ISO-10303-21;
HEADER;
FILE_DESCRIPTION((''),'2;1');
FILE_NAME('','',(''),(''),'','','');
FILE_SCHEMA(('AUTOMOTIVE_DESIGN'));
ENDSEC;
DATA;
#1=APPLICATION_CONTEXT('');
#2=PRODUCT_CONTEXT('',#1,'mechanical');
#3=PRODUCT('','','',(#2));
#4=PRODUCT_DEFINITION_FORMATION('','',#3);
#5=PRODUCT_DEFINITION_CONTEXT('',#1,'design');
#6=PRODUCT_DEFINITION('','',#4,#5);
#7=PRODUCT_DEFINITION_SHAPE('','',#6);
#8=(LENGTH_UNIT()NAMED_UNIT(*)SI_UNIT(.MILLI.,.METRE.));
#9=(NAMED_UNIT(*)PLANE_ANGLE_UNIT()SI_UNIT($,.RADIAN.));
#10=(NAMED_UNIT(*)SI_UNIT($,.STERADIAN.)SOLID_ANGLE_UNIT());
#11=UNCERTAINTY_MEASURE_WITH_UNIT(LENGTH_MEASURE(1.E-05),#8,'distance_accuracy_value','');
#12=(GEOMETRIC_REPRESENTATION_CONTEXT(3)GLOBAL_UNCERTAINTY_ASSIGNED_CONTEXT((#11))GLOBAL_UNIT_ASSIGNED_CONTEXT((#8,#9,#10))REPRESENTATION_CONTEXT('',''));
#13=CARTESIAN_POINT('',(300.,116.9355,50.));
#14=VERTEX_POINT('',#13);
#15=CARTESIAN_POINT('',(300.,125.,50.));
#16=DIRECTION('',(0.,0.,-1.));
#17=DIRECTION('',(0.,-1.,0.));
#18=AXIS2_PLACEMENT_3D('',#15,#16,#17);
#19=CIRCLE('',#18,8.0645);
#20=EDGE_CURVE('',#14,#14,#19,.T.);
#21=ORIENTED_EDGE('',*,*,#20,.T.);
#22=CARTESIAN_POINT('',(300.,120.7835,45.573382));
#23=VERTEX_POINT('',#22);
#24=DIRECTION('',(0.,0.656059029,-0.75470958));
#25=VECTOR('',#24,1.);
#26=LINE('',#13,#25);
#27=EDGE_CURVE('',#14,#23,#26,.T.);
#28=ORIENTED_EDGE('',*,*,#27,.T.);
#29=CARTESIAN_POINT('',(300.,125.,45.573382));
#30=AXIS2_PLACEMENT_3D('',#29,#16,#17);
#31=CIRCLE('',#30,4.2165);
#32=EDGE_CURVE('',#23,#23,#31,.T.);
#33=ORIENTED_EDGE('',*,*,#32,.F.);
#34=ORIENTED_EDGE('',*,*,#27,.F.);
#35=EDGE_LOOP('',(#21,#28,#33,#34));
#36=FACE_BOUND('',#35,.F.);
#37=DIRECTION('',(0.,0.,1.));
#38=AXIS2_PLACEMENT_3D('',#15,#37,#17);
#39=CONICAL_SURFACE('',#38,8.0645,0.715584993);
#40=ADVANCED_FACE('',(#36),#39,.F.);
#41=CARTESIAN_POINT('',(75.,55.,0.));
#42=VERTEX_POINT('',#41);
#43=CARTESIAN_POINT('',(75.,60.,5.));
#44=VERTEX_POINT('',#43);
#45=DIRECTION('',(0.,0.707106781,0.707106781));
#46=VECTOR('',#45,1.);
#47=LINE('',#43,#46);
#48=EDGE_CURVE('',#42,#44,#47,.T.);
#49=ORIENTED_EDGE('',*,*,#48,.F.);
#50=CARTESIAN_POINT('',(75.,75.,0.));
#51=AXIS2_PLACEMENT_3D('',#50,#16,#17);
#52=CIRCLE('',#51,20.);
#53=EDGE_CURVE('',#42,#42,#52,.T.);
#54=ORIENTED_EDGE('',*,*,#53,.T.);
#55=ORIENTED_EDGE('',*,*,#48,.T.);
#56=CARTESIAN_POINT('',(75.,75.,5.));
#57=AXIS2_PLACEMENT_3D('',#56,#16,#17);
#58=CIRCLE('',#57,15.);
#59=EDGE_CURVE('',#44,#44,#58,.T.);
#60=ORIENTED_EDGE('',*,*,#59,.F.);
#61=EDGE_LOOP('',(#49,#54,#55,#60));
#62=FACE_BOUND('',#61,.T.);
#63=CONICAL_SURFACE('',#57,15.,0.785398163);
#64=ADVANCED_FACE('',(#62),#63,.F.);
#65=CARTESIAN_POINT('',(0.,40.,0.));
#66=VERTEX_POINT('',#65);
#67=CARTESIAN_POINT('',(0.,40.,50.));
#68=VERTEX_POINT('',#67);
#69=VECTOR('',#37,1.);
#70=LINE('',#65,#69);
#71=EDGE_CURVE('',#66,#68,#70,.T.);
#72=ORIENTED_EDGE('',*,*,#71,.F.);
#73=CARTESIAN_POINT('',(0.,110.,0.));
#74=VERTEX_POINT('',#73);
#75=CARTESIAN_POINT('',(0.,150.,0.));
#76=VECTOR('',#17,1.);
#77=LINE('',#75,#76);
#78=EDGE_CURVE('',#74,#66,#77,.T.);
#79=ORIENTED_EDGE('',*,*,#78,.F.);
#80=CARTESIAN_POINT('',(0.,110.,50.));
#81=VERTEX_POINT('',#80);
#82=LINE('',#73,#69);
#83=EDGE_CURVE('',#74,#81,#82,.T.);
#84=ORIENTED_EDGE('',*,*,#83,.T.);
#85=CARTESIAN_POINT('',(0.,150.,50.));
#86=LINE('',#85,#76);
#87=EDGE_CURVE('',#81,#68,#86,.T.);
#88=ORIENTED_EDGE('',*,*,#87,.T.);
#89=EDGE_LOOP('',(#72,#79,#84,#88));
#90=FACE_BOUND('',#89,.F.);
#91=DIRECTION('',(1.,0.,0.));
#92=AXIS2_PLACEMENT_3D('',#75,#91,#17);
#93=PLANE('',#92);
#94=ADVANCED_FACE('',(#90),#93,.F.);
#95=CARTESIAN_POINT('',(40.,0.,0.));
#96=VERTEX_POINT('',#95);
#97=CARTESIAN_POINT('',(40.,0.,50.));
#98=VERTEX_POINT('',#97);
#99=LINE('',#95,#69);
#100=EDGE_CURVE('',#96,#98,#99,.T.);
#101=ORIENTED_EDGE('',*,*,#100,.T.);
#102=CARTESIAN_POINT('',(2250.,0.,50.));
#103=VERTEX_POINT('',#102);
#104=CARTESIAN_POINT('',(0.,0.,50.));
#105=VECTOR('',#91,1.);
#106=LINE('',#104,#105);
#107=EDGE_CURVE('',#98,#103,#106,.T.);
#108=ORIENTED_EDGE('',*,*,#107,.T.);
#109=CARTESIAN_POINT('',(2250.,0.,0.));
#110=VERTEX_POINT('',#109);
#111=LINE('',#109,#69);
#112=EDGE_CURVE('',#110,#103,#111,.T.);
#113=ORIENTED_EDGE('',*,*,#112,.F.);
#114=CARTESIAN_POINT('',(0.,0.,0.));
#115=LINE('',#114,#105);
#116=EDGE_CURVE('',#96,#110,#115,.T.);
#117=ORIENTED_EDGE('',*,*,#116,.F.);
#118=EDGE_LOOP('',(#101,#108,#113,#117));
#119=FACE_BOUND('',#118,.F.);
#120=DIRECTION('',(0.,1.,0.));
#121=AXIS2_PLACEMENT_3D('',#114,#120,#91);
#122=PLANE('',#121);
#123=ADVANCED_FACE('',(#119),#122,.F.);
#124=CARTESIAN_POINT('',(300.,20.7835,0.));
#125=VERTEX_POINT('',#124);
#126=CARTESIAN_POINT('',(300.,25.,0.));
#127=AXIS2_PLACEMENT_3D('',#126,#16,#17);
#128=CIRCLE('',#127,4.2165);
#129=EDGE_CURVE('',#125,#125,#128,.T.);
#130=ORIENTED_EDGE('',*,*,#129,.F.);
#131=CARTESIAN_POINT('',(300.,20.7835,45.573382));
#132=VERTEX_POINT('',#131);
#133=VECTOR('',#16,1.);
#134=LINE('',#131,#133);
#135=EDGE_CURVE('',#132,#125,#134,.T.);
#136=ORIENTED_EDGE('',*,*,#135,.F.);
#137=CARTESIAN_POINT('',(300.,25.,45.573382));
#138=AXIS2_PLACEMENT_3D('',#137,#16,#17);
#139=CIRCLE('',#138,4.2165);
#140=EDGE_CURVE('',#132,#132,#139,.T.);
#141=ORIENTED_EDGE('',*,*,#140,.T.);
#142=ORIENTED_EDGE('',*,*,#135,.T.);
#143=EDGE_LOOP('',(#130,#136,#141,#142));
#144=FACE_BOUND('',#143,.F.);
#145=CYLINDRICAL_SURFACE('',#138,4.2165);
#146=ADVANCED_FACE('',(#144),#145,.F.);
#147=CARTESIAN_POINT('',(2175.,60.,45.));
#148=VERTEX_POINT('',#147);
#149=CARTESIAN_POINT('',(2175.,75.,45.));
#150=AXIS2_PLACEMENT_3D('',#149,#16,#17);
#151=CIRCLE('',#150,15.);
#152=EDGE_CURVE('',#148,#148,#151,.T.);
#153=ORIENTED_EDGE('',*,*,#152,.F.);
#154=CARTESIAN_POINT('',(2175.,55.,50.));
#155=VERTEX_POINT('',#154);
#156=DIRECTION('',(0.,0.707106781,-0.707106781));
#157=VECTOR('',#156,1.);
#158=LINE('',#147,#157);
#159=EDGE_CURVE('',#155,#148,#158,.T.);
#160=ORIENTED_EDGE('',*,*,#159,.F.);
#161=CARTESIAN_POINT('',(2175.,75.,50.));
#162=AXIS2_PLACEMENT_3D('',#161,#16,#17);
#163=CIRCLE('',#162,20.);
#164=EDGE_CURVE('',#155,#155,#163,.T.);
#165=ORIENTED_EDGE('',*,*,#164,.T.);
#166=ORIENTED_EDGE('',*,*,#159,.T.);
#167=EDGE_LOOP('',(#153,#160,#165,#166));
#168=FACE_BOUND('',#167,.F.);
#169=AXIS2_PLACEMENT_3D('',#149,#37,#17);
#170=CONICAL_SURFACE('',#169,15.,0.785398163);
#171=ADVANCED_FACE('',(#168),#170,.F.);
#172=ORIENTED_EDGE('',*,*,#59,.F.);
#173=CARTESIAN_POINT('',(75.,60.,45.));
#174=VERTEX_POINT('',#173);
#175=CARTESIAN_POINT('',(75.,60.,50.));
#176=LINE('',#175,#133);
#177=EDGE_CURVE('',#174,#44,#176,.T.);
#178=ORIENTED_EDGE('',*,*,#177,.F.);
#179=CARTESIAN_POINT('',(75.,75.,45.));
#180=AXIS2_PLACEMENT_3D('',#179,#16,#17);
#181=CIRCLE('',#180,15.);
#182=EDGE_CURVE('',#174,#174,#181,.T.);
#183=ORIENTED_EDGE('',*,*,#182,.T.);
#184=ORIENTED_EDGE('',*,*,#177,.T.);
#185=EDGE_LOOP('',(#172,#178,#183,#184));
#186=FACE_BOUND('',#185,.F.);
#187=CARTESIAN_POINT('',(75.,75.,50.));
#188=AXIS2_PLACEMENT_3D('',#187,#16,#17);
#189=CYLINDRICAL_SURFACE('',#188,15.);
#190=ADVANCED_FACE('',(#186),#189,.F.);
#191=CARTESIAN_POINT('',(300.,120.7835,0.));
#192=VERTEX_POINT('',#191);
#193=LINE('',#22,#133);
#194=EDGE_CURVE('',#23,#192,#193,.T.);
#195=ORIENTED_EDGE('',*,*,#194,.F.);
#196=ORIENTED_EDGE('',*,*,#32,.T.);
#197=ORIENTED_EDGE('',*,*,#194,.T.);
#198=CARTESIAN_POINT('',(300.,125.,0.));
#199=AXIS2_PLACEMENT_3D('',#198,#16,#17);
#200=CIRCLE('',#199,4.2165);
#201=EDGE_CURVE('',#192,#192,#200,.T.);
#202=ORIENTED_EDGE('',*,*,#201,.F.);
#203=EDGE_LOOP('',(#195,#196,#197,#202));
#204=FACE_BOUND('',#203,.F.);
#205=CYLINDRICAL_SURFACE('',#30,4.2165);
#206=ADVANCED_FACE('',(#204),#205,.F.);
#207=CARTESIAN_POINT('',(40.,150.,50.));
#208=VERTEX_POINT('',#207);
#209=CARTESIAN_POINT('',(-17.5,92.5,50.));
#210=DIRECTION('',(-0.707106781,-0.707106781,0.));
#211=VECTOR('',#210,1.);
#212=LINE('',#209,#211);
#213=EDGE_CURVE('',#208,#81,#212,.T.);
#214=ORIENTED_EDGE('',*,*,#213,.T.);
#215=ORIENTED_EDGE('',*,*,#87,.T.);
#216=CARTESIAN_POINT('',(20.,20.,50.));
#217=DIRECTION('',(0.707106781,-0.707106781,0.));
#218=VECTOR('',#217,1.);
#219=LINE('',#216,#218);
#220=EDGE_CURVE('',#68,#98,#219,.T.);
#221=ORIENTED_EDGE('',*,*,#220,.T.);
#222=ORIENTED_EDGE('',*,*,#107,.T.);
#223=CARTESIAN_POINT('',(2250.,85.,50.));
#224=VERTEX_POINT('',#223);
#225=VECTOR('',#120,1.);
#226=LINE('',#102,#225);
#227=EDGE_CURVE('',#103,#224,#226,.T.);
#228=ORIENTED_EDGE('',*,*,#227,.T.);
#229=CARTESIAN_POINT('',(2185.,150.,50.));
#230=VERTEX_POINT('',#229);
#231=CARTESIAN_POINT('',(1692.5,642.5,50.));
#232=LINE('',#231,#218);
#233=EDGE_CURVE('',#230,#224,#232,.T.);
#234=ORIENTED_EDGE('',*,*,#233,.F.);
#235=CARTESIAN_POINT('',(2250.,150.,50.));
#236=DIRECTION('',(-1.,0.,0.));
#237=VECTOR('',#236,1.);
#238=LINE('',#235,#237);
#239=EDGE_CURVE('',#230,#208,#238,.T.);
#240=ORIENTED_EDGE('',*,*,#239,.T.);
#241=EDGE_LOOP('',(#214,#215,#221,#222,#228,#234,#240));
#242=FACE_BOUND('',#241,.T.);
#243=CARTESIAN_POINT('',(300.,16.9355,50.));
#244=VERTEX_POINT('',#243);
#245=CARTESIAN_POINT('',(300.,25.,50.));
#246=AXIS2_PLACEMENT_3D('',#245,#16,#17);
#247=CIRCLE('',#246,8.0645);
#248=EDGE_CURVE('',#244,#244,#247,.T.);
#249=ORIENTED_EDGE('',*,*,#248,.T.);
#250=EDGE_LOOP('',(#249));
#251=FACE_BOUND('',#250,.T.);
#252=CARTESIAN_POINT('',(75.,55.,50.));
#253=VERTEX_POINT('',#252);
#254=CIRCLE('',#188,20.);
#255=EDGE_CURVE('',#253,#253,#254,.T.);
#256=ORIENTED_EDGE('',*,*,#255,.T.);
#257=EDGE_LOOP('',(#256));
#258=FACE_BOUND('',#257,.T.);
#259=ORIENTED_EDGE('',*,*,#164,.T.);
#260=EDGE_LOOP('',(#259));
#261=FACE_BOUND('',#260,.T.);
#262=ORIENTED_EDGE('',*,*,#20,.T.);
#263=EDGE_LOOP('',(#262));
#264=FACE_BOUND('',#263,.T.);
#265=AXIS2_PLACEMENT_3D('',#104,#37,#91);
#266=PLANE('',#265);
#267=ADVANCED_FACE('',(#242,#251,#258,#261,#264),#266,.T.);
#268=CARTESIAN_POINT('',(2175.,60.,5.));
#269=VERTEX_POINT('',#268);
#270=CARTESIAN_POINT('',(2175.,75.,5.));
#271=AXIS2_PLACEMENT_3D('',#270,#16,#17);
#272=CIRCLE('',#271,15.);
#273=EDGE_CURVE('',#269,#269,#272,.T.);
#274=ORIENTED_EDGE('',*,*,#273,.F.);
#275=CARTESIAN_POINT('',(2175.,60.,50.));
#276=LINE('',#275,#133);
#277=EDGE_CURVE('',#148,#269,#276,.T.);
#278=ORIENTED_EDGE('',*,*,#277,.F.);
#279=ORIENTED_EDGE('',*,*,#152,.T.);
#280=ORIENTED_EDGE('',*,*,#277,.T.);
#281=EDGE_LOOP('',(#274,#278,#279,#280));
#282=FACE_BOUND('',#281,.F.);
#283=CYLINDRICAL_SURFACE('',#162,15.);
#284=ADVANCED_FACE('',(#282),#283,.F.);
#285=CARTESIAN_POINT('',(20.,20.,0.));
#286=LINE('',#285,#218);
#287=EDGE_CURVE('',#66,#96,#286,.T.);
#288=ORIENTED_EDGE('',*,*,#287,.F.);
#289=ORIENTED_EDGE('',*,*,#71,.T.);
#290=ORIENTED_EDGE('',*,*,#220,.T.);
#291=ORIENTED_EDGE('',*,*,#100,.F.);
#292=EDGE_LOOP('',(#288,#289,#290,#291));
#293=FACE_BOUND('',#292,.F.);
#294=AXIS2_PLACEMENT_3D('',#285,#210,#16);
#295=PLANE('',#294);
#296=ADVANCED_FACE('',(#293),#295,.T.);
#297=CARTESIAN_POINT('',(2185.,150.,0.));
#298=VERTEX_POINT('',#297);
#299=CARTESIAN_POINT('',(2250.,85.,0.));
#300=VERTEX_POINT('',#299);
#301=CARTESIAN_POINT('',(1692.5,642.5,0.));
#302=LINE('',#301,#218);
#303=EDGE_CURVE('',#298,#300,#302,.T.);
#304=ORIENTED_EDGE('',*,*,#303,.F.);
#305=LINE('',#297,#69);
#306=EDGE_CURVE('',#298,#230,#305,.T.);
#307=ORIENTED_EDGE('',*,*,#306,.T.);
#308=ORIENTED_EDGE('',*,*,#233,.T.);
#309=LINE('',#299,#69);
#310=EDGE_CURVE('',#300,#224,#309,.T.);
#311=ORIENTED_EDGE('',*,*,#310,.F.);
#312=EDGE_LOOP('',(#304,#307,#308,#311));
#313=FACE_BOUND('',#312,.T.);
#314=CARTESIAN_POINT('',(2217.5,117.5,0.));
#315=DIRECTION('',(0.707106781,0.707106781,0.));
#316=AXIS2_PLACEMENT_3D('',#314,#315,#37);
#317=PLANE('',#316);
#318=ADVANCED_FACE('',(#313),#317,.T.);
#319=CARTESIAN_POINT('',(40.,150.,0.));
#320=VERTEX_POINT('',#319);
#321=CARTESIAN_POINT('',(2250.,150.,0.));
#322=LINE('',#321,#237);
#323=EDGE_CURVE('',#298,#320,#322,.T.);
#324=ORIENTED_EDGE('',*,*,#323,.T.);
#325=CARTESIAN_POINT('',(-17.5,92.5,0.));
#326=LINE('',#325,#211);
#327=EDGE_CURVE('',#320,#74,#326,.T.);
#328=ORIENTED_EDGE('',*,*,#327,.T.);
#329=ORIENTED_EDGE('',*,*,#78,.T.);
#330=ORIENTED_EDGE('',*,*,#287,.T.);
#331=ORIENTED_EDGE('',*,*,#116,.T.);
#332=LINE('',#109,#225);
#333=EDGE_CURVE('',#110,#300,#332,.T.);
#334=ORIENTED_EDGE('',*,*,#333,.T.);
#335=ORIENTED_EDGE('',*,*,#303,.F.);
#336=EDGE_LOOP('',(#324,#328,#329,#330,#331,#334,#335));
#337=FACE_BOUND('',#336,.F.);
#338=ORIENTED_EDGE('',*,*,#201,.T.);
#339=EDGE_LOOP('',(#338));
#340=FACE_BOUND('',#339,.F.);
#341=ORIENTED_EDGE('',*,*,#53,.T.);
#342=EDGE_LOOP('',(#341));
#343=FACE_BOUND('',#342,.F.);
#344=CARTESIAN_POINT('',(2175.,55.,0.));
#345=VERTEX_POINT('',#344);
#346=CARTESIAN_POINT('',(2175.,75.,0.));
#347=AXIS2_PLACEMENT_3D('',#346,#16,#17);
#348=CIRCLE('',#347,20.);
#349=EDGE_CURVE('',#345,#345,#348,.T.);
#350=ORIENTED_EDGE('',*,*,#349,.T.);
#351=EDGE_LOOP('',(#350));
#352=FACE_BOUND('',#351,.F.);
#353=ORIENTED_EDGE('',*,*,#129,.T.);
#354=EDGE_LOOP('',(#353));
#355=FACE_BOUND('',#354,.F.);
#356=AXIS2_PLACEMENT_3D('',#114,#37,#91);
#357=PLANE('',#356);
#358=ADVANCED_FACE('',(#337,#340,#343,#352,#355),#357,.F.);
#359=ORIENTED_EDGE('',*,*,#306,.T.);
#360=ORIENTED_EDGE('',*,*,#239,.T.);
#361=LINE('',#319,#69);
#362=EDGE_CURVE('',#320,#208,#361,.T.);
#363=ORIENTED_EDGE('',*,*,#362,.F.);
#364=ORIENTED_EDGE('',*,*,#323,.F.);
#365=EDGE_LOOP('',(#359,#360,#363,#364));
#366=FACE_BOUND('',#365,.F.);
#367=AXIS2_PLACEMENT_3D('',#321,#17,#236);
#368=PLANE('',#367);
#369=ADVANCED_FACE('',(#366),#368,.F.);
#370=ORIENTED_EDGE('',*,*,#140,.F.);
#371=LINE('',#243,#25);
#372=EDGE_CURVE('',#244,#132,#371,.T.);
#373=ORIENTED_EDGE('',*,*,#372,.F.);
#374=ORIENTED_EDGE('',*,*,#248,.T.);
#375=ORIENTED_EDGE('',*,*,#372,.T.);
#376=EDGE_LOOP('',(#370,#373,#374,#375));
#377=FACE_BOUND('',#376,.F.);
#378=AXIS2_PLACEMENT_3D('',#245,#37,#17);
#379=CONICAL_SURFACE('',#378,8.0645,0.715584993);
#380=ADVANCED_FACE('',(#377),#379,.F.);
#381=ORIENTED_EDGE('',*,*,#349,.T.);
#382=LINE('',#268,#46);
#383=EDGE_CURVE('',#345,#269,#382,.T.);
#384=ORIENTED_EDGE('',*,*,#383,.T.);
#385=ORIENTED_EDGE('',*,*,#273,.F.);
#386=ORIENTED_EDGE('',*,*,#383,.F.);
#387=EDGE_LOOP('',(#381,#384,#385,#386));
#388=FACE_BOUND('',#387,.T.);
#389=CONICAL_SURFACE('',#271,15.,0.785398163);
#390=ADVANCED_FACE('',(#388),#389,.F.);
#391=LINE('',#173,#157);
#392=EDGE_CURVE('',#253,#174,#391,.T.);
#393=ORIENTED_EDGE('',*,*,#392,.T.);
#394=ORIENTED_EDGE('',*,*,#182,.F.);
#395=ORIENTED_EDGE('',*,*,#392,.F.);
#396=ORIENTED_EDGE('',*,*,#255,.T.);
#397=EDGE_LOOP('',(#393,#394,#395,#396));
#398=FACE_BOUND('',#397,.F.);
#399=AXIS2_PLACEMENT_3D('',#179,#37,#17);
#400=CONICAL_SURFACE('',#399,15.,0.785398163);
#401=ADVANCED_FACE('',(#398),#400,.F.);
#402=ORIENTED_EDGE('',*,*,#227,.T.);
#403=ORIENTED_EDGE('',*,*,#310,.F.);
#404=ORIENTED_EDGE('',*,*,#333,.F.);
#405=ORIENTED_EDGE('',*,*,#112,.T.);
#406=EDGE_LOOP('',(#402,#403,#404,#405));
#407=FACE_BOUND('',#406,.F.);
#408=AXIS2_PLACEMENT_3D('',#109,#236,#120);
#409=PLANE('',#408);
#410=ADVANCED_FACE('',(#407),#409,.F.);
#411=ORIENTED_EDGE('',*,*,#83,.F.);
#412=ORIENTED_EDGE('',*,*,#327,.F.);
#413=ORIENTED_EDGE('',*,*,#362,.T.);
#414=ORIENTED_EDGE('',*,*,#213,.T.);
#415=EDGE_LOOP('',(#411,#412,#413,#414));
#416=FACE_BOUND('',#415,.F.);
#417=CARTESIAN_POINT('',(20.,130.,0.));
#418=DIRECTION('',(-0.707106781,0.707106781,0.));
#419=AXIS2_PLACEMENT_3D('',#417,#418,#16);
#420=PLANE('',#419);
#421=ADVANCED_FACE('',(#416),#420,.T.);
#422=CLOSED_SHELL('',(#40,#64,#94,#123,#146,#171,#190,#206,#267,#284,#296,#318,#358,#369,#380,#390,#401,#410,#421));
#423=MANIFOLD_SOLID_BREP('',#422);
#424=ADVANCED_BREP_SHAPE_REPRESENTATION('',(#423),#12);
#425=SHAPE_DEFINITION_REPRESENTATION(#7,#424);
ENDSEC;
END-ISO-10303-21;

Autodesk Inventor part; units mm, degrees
ref_plane "YZ Plane" through (0, 0, 0) normal (1, 0, 0) x (0, 1, 0)
ref_plane "XZ Plane" through (0, 0, 0) normal (0, 1, 0) x (-1, 0, 0)
ref_plane "XY Plane" through (0, 0, 0) normal (0, 0, 1) x (1, 0, 0)
sketch "Sketch1" plane through (0, 0, 0) normal (0, 0, 1) x (1, 0, 0)
  line L0 (0, 0) -> (2250, 0)
  line L1 (2250, 0) -> (2250, 150)
  line L2 (2250, 150) -> (0, 150)
  line L3 (0, 150) -> (0, 0)
  dimension "d0" = 150
  dimension "d1" = 2250
extrude "Extrusion1" add sketch "Sketch1" along normal blind 50
sketch "Sketch2" plane through (0, 0, 50) normal (0, 0, 1) x (1, 0, 0)
  line L0 (0, 150) -> (0, 0) projected
  line L1 (2250, 0) -> (2250, 150) projected
  point P0 (75, 75)
  point P1 (2175, 75)
  point P2 (0, 75)
  dimension "d4" = 75
  dimension "d5" = 75
hole "Hole1" at (75, 75, 50) at (2175, 75, 50) direction (0, 0, -1) diameter 30 end through all
chamfer "Chamfer1" distance 5 angle 45 4 edges at (75, 90, 50) (2175, 90, 50) (75, 90, 0) (2175, 90, 0)
chamfer "Chamfer2" distance 65 angle 45 1 edges at (2250, 150, 25) measured on face at (2250, 50, 16.6667)
chamfer "Chamfer3" distance 40 angle 45 2 edges at (0, 150, 25) (0, 0, 25)
sketch "Sketch3" plane through (0, 0, 50) normal (0, 0, 1) x (1, 0, 0)
  line L0 (2185, 150) -> (40, 150) projected
  line L1 (40, 0) -> (2250, 0) projected
  line L2 (0, 110) -> (0, 40) projected
  point P0 (0, 0)
  point P1 (300, 125)
  point P2 (300, 25)
  dimension "d22" = 25
  dimension "d23" = 25
  dimension "d24" = 300
hole "Hole2" at (300, 125, 50) at (300, 25, 50) direction (0, 0, -1) diameter 8.433 end through all countersink diameter 16.129 countersink angle 82 clearance for "Flat Head Machine Screw (82)" size "5/16" standard "Ansi Unified Screw Threads"
equation "\"d23\" = d22"
properties part number "Top_Rear Plank_RHS" material "Wood (Birch)"
